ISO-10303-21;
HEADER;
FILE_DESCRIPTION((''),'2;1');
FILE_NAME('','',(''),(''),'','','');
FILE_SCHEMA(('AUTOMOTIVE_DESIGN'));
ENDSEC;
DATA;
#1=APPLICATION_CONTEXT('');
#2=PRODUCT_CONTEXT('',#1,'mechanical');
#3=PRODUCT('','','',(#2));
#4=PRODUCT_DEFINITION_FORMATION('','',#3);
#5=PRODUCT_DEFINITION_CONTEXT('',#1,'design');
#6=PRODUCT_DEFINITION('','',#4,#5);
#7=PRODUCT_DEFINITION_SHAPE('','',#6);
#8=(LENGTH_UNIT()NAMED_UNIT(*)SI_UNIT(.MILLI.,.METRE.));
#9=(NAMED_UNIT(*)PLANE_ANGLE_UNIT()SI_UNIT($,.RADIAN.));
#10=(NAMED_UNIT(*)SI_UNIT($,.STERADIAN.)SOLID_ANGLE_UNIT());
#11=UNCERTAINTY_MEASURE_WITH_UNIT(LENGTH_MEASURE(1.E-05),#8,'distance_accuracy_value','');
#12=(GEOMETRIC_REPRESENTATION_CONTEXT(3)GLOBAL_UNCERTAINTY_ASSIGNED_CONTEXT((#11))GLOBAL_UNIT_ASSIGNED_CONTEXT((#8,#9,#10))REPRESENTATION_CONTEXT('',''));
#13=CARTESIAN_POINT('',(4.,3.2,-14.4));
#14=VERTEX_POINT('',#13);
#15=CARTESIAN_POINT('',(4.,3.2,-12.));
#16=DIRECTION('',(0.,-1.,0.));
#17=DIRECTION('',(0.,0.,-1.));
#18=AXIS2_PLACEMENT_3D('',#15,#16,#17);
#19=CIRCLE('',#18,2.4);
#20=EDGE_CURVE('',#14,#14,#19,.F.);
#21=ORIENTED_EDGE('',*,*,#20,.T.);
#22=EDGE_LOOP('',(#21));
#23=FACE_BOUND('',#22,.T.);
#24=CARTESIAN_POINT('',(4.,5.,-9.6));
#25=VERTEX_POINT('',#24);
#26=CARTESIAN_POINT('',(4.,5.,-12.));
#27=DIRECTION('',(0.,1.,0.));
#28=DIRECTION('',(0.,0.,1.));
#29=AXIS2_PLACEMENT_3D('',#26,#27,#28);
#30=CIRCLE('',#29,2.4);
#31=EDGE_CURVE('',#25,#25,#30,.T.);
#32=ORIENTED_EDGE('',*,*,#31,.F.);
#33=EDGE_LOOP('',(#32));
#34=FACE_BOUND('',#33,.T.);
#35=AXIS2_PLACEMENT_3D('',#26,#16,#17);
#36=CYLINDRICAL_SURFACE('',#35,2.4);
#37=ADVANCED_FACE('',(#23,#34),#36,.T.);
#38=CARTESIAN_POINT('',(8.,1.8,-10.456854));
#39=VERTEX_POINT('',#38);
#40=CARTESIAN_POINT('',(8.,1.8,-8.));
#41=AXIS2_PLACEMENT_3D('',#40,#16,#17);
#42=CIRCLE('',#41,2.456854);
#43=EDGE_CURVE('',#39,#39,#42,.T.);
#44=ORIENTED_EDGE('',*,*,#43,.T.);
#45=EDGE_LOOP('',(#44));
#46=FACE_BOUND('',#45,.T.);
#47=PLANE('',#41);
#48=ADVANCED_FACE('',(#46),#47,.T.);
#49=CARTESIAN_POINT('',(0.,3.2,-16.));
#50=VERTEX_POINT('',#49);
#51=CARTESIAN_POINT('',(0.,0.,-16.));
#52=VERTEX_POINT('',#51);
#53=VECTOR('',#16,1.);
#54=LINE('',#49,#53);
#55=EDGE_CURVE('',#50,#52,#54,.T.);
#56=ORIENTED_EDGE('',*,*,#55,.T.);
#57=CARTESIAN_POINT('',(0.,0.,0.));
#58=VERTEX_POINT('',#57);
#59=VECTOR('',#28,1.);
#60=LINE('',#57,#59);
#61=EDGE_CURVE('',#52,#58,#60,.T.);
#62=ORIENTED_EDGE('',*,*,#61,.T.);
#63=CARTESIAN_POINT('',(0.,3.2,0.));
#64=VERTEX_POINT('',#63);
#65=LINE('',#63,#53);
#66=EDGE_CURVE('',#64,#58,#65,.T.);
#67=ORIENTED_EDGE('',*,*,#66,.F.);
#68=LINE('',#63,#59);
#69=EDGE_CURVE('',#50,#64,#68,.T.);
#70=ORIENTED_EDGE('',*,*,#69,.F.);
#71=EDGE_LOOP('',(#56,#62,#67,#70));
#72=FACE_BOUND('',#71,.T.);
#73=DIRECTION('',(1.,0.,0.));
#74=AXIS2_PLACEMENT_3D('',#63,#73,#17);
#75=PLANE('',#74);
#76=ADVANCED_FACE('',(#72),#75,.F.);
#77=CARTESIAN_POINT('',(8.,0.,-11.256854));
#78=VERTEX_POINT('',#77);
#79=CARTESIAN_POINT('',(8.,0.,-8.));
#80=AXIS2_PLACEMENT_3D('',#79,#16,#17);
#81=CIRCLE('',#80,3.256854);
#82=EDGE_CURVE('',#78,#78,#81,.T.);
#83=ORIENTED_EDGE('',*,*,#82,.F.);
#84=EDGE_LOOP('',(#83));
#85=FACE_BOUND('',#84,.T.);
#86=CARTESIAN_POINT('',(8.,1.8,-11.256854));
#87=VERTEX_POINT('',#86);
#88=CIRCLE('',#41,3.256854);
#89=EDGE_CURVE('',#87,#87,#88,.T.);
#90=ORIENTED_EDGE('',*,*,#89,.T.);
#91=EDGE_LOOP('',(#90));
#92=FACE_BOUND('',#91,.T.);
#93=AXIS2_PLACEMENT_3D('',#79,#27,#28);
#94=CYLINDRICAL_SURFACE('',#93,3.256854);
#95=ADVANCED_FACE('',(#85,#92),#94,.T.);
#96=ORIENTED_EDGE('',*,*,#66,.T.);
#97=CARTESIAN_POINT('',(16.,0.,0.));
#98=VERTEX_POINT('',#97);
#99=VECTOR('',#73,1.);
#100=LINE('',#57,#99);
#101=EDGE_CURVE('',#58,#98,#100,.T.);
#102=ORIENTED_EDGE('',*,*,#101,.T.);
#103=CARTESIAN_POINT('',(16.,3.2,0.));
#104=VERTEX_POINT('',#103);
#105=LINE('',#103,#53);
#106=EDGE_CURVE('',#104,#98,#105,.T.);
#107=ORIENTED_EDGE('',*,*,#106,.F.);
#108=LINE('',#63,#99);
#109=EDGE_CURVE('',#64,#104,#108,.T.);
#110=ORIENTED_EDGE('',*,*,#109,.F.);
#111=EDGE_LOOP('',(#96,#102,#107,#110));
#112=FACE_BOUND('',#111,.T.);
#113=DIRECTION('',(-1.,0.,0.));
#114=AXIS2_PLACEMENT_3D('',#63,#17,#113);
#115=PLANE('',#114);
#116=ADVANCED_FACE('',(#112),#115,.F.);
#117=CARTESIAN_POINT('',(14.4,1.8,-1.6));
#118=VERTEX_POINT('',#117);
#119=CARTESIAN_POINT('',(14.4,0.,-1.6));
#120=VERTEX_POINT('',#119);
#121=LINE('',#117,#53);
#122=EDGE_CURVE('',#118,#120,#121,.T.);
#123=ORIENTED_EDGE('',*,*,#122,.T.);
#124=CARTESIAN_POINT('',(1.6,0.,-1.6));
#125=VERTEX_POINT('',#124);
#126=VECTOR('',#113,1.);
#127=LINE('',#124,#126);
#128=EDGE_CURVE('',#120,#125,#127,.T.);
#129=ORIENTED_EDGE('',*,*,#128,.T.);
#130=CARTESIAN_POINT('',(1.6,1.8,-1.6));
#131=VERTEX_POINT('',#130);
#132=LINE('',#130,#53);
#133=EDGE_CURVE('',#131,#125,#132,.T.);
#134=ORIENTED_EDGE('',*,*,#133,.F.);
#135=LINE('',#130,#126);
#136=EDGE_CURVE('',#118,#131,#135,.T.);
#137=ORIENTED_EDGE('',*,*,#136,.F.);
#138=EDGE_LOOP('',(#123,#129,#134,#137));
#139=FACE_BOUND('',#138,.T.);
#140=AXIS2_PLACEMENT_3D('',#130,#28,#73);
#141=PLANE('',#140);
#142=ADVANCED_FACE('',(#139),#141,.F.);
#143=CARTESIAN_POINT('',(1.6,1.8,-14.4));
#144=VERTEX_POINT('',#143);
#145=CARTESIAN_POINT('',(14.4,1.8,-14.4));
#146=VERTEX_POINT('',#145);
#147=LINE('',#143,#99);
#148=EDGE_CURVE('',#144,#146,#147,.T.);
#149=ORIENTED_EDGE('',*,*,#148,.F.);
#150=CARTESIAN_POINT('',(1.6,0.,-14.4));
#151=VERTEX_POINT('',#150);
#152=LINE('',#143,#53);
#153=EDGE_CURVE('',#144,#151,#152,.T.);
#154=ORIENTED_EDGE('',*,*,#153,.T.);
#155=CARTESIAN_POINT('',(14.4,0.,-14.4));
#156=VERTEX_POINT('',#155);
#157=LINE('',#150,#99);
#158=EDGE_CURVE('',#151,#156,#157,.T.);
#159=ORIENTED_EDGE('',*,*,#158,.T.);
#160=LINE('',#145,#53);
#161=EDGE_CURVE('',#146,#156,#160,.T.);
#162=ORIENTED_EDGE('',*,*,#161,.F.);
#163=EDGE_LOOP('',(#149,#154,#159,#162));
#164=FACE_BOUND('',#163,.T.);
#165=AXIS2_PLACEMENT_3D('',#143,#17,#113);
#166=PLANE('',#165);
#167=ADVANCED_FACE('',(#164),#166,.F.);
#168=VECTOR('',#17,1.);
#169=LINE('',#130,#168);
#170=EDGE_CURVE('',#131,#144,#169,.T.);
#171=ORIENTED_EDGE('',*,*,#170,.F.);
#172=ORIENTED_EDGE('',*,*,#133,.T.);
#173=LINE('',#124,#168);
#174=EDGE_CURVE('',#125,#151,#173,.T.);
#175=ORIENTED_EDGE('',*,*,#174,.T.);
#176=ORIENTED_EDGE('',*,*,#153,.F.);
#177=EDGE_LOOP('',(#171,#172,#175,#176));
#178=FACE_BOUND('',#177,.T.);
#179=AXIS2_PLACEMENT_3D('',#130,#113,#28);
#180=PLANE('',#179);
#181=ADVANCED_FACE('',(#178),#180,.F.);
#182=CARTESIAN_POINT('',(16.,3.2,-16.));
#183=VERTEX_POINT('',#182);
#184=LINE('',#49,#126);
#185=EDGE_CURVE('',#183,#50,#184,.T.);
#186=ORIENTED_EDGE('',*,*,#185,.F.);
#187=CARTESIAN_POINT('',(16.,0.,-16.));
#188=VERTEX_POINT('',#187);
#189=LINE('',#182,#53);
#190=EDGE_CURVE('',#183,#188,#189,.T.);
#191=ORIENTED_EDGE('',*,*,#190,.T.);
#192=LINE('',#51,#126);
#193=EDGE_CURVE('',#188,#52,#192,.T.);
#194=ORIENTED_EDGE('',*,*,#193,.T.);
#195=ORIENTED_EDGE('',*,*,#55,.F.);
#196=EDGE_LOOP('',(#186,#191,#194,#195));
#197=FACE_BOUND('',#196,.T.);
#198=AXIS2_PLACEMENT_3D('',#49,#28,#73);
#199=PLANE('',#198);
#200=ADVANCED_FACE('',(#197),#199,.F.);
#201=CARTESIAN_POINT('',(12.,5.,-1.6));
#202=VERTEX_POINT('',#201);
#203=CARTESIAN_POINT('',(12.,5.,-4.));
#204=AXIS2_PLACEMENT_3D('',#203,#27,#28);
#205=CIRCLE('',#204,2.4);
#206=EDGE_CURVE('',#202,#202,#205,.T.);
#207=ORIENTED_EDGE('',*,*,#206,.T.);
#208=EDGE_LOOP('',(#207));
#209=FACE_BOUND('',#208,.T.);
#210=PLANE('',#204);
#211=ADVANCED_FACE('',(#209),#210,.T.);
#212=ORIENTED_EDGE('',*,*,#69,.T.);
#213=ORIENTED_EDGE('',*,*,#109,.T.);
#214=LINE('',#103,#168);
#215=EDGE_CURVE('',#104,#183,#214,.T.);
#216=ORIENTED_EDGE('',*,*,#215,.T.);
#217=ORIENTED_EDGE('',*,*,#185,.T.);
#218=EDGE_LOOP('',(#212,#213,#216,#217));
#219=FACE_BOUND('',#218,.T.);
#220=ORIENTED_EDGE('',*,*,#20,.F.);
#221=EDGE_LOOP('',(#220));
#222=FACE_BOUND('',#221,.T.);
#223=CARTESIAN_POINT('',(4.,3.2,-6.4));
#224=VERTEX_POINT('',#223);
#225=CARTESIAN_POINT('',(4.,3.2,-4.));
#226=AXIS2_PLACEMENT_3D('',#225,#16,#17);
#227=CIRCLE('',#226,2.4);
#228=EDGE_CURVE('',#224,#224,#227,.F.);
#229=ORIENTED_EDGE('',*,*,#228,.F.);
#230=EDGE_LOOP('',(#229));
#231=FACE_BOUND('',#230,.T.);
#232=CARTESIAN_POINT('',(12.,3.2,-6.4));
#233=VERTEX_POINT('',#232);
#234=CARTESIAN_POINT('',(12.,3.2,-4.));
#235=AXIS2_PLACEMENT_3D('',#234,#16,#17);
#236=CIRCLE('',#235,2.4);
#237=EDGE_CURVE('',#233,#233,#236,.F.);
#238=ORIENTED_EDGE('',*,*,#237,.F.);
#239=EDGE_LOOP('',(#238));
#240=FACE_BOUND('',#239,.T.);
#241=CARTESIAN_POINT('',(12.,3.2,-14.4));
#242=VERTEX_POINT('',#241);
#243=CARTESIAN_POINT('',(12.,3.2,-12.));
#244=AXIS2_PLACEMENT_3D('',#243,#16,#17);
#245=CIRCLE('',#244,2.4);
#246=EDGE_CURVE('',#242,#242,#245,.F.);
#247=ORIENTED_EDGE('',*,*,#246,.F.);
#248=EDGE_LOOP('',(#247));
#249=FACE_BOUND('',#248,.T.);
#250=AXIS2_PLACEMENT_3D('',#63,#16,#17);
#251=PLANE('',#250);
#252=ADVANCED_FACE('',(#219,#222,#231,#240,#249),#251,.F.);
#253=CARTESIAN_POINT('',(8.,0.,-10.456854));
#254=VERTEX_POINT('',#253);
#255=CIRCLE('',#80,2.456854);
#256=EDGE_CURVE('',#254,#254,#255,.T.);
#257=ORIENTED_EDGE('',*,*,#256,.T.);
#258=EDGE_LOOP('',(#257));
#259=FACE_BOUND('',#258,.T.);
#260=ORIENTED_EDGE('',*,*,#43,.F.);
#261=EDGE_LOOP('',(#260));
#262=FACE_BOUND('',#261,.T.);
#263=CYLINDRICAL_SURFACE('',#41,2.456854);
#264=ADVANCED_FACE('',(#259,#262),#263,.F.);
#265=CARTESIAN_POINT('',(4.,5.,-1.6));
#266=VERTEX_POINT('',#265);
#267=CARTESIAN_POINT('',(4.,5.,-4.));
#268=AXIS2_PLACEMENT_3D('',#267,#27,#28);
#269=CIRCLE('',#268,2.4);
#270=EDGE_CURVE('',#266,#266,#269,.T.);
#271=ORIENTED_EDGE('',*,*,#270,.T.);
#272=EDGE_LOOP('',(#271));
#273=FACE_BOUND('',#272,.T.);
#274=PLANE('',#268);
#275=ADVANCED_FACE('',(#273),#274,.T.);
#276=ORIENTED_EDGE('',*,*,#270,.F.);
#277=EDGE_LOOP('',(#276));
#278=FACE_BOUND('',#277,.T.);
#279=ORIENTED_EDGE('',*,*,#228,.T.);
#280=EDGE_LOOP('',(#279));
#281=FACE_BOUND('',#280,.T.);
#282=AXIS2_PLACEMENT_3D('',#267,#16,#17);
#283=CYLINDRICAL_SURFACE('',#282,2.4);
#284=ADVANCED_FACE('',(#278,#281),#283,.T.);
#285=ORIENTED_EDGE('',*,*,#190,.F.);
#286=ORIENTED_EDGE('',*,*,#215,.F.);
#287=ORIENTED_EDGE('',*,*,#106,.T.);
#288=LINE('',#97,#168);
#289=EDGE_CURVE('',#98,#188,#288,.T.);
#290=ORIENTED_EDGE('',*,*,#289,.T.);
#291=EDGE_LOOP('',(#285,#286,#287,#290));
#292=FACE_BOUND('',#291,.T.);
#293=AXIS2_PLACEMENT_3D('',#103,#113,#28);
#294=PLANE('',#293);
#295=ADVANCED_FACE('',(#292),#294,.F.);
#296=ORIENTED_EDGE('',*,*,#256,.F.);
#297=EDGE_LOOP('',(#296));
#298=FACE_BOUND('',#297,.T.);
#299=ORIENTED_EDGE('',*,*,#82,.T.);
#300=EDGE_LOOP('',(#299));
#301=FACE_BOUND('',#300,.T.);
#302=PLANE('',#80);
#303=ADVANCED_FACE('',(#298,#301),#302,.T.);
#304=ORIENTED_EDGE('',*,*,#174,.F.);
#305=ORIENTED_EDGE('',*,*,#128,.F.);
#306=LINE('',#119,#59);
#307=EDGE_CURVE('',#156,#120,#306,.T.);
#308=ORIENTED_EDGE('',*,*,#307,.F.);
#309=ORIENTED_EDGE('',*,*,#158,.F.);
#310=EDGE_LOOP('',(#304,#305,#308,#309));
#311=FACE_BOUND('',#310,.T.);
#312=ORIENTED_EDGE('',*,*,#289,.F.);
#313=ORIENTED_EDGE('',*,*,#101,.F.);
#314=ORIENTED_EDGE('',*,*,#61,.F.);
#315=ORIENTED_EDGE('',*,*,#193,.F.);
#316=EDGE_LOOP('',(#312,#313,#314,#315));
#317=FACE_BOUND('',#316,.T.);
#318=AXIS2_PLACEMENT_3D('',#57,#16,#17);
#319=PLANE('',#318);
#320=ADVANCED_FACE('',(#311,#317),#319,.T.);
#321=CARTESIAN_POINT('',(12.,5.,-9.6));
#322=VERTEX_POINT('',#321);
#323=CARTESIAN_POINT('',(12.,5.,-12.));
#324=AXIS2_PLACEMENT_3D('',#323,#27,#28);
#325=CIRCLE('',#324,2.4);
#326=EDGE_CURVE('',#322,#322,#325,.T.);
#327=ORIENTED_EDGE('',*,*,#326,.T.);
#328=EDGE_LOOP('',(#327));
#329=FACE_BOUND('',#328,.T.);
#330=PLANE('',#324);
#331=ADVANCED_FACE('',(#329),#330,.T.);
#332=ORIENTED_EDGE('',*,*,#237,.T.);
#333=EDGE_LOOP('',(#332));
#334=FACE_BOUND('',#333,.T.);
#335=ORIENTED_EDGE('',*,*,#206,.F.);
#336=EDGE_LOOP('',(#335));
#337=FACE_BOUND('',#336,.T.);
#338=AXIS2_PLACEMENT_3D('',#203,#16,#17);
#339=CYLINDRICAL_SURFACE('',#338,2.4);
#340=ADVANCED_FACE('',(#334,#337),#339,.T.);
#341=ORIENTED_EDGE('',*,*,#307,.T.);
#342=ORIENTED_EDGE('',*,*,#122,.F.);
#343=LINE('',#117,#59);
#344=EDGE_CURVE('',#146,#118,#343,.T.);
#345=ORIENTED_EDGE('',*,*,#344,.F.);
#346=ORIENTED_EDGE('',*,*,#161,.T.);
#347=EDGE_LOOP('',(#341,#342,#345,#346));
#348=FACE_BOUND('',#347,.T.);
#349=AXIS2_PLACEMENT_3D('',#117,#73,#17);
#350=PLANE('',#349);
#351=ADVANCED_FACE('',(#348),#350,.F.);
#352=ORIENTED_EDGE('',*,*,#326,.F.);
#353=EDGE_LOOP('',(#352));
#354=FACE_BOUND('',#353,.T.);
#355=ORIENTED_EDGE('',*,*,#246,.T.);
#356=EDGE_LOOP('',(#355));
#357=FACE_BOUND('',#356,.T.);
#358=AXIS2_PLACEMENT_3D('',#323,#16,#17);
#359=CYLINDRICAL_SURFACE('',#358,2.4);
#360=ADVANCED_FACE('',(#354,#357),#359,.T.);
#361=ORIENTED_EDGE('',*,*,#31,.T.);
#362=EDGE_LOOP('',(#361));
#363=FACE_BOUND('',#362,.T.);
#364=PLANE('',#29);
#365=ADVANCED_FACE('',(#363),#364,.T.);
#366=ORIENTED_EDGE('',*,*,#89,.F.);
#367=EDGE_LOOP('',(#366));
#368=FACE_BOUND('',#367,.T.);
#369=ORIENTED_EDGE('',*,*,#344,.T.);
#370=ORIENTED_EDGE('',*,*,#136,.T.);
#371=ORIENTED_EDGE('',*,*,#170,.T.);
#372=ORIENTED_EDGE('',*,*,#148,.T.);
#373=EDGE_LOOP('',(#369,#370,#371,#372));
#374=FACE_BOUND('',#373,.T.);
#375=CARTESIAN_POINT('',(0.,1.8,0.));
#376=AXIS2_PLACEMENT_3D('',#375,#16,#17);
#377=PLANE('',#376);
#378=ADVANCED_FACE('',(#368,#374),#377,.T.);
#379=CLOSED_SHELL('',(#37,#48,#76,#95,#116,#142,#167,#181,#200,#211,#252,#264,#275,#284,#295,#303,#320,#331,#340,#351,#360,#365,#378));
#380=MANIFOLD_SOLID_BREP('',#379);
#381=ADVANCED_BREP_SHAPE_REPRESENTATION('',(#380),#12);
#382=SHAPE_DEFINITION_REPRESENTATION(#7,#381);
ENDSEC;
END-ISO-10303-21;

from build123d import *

# Parameters (mm, degrees)
SKETCH1_W           = 16
SKETCH1_H           = 16
BOSS_EXTRUDE1_DEPTH = 3.2
SKETCH2_R           = 2.4
BOSS_EXTRUDE2_DEPTH = 1.8
SKETCH3_W           = 12.8
SKETCH3_H           = 12.8
CUT_EXTRUDE1_DEPTH  = 1.8
SKETCH4_R           = 3.25685425
BOSS_EXTRUDE3_DEPTH = 1.8
SKETCH5_R           = 2.45685425
CUT_EXTRUDE2_DEPTH  = 1.8


with BuildPart() as part:
    # Sketch1 → Boss-Extrude1 (new body)
    with BuildSketch(Plane(origin=(0, 0, 0), x_dir=(1, 0, 0), z_dir=(0, 1, 0))):
        with Locations((8, 8)):
            Rectangle(SKETCH1_W, SKETCH1_H)
    extrude(amount=BOSS_EXTRUDE1_DEPTH)

    # Sketch2 → Boss-Extrude2 (add)
    with BuildSketch(Plane(origin=(0, 3.2, 0), x_dir=(1, 0, 0), z_dir=(0, 1, 0))):
        with Locations((4, 12)):
            Circle(SKETCH2_R)
        with Locations((12, 12)):
            Circle(SKETCH2_R)
        with Locations((12, 4)):
            Circle(SKETCH2_R)
        with Locations((4, 4)):
            Circle(SKETCH2_R)
    extrude(amount=BOSS_EXTRUDE2_DEPTH)

    # Sketch3 → Cut-Extrude1 (cut)
    with BuildSketch(Plane.XZ):
        with Locations((8, -8)):
            Rectangle(SKETCH3_W, SKETCH3_H)
    extrude(amount=-CUT_EXTRUDE1_DEPTH, mode=Mode.SUBTRACT)

    # Sketch4 → Boss-Extrude3 (add)
    with BuildSketch(Plane.XZ.offset(-1.8)):
        with Locations((8, -8)):
            Circle(SKETCH4_R)
    extrude(amount=BOSS_EXTRUDE3_DEPTH)

    # Sketch5 → Cut-Extrude2 (cut)
    with BuildSketch(Plane.XZ):
        with Locations((8, -8)):
            Circle(SKETCH5_R)
    extrude(amount=-CUT_EXTRUDE2_DEPTH, mode=Mode.SUBTRACT)


solid = part.part
